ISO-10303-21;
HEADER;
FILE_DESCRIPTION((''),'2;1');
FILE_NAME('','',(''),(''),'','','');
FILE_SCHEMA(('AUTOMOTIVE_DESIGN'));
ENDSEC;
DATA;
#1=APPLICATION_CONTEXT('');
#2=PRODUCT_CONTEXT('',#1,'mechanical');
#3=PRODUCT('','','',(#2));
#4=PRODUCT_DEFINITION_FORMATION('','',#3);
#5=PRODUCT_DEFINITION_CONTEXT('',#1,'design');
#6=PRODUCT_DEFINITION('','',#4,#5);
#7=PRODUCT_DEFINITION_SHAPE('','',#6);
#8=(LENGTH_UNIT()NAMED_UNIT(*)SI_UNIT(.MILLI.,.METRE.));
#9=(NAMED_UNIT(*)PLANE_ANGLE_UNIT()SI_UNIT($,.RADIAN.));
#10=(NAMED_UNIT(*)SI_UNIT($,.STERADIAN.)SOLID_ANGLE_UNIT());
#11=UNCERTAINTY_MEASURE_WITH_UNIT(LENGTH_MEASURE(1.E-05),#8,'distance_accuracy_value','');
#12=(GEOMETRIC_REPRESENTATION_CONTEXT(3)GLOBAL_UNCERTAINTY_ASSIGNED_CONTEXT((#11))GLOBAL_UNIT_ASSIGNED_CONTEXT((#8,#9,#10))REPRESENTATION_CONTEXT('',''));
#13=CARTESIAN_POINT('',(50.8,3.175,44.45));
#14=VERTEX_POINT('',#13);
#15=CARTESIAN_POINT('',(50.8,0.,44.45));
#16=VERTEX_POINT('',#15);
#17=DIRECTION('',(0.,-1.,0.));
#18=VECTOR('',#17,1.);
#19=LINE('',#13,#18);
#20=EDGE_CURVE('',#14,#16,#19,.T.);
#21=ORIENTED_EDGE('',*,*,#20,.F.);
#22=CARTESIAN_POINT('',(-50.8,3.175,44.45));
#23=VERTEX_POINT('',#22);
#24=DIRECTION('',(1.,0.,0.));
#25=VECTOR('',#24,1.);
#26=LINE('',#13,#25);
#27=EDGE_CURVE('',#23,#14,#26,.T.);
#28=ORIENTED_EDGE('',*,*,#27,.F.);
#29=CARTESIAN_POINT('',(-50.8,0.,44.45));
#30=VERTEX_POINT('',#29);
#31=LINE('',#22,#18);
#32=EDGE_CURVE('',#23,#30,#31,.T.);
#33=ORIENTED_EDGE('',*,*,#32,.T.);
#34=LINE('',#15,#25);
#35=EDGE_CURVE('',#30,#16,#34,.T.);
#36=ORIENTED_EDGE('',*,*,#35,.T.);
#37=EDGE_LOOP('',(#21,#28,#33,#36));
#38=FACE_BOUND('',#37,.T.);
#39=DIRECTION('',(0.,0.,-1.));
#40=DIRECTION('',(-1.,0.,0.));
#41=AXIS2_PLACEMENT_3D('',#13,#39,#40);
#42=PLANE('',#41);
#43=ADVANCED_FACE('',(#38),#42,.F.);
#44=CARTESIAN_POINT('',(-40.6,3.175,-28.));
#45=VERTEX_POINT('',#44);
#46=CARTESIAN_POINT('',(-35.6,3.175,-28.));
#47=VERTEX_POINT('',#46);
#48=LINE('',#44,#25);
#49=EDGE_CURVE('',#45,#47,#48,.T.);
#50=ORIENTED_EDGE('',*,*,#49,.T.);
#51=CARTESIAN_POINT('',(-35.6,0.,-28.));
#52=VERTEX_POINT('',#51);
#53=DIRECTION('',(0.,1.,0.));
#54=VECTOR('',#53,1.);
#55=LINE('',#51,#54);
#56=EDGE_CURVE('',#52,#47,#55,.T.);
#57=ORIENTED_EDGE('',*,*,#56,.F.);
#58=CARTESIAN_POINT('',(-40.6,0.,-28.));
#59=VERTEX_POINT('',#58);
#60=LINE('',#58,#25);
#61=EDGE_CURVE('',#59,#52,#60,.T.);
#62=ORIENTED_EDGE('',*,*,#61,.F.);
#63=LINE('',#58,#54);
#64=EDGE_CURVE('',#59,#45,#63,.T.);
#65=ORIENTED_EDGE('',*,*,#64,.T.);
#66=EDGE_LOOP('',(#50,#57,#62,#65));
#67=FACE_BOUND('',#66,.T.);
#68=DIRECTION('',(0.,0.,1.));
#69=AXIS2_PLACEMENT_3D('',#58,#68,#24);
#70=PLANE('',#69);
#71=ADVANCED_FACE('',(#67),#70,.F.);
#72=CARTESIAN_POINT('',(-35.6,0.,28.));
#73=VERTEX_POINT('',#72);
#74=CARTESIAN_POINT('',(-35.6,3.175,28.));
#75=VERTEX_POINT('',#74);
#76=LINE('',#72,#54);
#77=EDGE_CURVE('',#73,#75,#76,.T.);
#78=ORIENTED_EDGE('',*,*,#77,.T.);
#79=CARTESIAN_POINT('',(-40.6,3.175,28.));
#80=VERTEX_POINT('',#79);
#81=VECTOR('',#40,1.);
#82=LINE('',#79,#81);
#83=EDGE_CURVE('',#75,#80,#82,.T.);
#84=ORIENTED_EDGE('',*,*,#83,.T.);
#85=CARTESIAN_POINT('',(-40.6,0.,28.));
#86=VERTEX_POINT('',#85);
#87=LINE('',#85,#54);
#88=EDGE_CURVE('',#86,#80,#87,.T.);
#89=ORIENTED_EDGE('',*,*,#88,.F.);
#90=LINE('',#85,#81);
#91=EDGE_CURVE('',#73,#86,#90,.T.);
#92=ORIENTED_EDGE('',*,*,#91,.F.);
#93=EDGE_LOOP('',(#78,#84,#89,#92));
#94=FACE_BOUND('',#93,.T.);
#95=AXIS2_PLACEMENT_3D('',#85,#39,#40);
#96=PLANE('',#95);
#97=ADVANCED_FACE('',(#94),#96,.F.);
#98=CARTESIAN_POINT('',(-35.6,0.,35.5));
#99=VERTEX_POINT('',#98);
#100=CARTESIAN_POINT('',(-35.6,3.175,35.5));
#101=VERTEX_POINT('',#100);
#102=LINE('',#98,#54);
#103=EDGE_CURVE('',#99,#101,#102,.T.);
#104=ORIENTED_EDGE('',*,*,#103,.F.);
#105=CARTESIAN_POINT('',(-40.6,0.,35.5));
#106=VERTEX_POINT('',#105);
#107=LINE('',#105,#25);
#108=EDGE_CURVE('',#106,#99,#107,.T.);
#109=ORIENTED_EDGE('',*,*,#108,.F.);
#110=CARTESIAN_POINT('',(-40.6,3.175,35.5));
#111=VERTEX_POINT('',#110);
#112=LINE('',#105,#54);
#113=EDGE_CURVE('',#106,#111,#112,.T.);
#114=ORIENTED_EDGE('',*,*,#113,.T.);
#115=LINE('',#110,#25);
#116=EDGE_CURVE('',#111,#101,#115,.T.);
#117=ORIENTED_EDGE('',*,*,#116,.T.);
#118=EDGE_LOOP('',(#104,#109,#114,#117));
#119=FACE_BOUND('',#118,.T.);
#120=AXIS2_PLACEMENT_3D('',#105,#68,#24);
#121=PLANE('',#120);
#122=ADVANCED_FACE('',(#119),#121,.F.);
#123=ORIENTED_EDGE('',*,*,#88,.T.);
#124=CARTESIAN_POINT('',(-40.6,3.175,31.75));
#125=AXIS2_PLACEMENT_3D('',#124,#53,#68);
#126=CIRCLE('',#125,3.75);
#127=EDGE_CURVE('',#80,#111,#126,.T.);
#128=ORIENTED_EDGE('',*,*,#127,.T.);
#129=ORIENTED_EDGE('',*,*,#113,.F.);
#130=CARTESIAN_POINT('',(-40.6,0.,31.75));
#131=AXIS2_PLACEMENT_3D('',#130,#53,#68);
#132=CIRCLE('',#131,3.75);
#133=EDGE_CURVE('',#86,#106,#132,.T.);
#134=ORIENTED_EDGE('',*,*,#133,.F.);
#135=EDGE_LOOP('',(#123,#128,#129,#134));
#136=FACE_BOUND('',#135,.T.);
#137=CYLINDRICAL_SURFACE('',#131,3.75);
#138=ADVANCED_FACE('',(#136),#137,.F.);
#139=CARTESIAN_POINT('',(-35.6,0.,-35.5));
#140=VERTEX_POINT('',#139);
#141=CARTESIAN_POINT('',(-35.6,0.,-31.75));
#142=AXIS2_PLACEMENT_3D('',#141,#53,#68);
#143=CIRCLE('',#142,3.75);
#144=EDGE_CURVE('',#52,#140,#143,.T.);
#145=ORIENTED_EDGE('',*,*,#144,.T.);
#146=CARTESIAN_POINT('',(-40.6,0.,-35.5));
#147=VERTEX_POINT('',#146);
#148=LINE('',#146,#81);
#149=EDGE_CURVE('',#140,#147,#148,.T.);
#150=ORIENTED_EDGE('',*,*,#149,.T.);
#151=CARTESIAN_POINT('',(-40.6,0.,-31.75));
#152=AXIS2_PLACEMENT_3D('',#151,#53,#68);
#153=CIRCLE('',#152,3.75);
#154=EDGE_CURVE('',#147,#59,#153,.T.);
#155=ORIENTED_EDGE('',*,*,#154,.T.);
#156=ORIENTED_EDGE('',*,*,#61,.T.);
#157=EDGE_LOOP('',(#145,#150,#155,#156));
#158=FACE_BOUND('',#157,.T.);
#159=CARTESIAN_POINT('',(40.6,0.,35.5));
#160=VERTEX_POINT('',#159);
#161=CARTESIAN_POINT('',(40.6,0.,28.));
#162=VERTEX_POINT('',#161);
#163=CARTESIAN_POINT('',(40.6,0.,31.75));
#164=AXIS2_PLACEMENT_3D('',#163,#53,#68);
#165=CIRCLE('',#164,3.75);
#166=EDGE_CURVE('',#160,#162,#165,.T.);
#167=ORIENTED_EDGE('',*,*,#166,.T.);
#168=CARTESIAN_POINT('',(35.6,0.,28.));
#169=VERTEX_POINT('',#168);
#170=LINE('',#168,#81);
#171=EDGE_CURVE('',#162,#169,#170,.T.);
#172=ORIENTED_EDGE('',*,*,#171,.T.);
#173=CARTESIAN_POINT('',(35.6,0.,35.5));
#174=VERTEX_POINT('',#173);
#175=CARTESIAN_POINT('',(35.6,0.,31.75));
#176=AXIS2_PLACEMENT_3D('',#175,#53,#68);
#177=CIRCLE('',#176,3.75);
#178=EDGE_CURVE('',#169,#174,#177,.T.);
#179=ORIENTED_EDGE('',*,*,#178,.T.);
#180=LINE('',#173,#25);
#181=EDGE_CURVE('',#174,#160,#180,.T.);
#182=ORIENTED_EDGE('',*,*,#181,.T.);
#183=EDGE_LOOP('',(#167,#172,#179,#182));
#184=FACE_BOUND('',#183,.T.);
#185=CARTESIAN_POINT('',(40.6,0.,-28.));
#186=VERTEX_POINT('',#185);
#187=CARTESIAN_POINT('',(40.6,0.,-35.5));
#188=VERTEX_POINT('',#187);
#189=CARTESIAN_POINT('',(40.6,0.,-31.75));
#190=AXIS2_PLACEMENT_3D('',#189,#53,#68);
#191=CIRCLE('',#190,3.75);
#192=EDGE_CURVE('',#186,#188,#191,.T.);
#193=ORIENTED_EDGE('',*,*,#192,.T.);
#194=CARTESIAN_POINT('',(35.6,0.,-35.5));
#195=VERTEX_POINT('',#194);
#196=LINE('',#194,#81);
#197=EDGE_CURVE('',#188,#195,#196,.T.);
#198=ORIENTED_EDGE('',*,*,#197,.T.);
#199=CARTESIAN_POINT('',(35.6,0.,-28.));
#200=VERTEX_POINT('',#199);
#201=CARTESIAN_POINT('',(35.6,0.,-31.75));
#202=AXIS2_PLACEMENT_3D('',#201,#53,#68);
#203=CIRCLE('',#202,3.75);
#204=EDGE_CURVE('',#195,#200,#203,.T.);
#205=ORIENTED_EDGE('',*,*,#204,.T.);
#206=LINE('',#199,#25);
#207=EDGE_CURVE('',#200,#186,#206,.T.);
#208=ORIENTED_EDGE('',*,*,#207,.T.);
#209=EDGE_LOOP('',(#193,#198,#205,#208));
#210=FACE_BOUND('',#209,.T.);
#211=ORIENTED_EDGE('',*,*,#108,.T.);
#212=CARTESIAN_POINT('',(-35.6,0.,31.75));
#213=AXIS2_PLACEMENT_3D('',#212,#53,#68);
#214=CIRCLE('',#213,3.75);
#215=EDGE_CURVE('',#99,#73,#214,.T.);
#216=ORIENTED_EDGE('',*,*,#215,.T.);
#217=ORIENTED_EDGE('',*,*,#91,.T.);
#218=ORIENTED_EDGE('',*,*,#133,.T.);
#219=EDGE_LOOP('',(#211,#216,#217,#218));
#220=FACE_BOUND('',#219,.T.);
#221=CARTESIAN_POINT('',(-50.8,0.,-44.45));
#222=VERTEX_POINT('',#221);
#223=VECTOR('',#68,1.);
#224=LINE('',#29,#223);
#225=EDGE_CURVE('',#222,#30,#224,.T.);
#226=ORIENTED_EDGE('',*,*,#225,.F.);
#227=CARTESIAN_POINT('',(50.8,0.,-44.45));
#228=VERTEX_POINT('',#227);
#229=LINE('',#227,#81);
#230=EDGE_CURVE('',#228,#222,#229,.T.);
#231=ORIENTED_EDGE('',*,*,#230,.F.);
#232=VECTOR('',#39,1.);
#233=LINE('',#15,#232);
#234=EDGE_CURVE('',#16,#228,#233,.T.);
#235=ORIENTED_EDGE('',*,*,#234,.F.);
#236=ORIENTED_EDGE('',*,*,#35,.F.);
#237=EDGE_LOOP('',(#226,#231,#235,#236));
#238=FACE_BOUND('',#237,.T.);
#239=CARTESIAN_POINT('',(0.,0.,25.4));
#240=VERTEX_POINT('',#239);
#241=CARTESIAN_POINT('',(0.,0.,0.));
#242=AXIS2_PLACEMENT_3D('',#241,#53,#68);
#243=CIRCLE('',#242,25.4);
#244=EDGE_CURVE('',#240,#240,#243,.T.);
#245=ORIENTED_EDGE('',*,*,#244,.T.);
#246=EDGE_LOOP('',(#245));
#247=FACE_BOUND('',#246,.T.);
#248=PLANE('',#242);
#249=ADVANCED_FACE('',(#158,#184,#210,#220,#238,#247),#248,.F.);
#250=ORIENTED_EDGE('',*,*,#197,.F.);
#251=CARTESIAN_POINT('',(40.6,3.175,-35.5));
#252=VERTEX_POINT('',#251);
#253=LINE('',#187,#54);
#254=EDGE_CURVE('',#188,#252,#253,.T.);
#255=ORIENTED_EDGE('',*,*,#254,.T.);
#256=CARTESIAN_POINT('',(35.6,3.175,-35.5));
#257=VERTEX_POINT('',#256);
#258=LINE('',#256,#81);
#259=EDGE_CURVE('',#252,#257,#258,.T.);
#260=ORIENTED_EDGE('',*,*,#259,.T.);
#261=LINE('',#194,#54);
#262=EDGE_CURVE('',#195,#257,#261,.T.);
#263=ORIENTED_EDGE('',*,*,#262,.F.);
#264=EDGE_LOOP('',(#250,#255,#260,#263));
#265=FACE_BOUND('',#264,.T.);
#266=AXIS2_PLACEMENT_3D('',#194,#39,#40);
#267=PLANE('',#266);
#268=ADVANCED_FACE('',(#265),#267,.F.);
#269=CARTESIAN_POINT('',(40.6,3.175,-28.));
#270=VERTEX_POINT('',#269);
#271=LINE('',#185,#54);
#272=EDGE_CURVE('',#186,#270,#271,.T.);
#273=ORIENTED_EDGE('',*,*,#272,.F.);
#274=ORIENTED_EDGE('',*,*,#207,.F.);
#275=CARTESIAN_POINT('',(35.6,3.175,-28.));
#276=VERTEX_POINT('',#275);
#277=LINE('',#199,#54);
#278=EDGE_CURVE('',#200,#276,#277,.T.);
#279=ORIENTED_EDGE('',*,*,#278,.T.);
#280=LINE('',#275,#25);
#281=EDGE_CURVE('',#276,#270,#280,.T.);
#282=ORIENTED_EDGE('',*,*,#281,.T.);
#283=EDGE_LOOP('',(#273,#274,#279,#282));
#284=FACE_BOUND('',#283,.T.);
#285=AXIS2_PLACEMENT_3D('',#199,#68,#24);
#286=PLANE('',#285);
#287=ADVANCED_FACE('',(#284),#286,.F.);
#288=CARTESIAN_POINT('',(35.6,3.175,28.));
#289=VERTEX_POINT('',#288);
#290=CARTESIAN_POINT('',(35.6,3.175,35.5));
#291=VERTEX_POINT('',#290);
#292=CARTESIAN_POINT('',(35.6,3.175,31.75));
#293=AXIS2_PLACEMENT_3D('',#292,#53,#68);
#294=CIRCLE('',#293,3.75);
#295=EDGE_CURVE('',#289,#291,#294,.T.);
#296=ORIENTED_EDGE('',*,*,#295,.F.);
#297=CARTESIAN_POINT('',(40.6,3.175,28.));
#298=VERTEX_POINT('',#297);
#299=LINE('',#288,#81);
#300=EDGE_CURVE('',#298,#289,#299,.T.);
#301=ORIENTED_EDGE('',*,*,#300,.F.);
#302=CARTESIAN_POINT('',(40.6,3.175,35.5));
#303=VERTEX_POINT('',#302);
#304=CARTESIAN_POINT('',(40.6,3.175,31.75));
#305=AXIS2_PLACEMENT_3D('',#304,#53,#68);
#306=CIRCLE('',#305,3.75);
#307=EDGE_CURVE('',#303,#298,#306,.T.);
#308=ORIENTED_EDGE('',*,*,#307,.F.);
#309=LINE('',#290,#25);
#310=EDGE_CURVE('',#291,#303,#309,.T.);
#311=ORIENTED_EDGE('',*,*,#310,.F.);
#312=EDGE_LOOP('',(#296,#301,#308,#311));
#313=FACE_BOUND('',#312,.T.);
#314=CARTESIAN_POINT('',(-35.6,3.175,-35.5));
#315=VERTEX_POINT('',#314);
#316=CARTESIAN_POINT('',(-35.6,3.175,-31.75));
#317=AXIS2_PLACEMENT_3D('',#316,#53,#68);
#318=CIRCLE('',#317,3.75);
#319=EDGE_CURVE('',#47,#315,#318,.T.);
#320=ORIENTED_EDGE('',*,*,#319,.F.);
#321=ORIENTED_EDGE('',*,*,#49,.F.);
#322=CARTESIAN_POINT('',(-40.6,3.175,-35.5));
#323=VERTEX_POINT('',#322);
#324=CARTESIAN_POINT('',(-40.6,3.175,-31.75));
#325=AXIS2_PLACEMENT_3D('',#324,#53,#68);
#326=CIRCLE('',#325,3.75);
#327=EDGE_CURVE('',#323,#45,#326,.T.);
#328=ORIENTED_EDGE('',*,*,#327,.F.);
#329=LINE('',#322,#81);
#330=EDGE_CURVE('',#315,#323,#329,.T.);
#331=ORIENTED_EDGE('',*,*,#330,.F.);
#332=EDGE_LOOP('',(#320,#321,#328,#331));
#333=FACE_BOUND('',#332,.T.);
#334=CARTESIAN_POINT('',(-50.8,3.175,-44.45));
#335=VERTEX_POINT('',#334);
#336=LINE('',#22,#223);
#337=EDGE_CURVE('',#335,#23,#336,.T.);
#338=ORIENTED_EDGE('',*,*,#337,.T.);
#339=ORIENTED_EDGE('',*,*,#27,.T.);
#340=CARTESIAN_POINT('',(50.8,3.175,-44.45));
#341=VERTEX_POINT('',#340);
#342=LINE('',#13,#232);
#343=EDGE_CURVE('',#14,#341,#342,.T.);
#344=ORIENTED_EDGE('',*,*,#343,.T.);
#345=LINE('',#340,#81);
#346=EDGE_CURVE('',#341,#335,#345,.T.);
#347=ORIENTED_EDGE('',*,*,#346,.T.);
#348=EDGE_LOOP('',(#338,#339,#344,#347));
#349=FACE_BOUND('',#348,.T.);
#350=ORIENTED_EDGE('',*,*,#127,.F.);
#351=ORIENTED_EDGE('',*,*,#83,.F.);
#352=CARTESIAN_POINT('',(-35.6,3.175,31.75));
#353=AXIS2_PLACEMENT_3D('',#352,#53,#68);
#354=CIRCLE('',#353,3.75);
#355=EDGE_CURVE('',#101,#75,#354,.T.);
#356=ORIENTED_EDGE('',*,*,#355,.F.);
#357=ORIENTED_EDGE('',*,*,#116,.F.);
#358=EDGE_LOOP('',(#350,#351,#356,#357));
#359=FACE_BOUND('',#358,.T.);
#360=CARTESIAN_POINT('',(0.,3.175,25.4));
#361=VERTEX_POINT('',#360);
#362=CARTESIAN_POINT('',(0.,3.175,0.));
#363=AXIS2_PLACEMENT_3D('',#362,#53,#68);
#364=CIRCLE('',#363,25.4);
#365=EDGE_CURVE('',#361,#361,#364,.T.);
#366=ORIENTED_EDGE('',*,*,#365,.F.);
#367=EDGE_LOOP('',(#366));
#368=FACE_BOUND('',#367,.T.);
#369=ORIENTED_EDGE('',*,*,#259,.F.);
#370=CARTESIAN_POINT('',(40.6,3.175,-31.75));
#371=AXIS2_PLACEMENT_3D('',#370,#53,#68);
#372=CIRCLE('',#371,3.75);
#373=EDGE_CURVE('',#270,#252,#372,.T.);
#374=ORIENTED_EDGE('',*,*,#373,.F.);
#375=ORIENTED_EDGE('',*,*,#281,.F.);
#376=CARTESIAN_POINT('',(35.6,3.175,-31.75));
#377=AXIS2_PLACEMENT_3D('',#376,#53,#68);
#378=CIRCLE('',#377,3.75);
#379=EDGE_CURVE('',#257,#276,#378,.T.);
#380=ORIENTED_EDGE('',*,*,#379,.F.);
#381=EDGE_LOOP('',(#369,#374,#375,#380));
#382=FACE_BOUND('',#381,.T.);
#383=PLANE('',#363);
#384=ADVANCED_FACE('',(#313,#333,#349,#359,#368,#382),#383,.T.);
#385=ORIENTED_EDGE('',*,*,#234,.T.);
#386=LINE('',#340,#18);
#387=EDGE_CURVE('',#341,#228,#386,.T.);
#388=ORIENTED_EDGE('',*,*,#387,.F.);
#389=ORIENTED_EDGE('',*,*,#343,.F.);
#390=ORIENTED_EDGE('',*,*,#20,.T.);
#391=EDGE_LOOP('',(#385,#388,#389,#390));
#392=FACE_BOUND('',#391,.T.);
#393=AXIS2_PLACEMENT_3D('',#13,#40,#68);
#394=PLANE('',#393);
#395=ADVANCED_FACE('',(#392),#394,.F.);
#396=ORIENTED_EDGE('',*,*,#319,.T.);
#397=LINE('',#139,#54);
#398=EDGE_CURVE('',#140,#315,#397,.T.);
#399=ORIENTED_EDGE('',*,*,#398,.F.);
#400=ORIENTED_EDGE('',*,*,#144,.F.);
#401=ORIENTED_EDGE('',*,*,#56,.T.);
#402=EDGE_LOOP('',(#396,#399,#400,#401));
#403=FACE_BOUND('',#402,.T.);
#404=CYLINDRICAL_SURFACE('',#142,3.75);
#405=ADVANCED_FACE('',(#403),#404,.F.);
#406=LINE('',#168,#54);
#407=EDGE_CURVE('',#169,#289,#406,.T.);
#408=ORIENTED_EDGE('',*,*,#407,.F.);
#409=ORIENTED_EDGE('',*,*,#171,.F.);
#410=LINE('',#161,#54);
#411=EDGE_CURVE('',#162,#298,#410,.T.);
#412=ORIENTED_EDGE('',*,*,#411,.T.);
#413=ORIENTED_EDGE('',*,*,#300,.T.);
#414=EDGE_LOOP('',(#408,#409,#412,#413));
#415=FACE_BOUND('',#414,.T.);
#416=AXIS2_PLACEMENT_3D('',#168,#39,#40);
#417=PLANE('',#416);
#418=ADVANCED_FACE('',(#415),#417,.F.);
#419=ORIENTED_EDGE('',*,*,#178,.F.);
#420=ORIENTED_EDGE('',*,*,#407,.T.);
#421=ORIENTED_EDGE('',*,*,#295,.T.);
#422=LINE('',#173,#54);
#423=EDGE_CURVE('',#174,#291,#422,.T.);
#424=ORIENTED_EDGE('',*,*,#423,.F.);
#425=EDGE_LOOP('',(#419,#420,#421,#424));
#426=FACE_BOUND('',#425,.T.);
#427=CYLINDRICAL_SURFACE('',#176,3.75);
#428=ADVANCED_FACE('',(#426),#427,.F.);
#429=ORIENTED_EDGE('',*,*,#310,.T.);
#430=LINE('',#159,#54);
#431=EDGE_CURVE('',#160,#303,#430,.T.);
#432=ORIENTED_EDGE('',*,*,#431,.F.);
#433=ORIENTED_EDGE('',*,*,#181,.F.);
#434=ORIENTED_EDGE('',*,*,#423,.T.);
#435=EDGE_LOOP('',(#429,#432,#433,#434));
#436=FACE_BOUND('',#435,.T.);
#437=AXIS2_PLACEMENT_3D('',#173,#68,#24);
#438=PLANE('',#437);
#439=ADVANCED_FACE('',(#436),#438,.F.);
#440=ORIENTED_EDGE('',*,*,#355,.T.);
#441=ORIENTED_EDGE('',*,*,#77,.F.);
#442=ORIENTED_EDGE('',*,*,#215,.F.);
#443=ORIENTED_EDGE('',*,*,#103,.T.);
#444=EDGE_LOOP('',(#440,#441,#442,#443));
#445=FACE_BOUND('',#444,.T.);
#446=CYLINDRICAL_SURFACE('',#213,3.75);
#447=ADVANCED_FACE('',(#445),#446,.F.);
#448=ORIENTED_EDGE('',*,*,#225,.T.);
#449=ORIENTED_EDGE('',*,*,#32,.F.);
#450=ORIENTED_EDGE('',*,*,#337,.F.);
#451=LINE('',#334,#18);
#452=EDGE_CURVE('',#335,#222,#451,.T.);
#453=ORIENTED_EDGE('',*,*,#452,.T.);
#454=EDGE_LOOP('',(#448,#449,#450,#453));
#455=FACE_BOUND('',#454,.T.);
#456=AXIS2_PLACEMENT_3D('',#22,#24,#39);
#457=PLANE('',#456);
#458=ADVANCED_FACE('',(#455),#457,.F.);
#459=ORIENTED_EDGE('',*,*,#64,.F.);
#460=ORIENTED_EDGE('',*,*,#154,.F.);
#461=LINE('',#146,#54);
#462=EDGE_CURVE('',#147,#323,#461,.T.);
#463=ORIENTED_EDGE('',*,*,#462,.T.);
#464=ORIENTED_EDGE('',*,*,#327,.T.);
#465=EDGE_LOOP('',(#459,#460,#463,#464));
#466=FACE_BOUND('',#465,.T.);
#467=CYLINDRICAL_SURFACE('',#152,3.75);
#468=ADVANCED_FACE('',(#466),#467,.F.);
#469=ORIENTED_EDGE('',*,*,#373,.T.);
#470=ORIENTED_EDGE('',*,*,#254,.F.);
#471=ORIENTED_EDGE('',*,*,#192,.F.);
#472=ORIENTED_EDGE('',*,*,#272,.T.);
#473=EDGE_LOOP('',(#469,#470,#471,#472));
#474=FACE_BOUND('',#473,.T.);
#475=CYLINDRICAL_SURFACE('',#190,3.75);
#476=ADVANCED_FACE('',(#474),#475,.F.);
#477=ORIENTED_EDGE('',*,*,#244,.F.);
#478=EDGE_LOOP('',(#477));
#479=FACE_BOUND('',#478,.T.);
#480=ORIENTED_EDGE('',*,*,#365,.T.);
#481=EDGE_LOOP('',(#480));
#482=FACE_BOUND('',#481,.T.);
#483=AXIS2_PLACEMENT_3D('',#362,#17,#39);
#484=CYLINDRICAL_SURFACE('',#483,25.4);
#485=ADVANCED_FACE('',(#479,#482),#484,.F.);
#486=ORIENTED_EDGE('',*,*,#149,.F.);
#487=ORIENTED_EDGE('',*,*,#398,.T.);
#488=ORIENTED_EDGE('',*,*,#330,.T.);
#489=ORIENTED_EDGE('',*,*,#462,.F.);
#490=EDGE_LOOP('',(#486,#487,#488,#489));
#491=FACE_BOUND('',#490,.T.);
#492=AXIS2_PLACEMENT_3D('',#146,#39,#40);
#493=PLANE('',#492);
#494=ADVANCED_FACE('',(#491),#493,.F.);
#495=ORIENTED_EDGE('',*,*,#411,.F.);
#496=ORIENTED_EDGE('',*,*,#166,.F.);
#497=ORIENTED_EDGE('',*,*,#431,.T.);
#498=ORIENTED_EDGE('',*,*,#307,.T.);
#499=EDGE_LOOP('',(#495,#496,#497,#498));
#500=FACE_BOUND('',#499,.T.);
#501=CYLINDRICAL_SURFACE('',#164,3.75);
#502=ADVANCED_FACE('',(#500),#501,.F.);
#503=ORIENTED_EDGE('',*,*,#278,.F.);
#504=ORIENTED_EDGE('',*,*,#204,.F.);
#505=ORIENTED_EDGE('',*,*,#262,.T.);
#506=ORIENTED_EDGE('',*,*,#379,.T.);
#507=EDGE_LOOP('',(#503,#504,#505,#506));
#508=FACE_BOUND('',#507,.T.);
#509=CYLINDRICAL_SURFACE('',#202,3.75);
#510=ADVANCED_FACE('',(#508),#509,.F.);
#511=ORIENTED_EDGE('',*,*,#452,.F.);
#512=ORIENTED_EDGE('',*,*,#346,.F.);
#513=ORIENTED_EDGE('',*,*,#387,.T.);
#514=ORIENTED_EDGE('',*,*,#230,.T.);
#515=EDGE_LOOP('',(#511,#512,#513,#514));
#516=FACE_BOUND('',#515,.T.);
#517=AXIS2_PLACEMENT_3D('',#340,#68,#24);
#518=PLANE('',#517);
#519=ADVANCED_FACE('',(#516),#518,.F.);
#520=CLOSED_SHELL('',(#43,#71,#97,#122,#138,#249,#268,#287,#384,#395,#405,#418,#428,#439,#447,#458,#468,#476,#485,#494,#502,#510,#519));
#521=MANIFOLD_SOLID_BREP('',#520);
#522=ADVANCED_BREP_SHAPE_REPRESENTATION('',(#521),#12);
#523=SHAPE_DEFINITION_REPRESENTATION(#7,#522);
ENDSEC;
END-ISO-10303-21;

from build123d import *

# Parameters (mm, degrees)
SKETCH1_W           = 101.6
SKETCH1_H           = 88.9
SKETCH1_R           = 25.4
BOSS_EXTRUDE1_DEPTH = 3.175
CUT_EXTRUDE1_DEPTH  = 68.576054376


with BuildPart() as part:
    # Sketch1 → Boss-Extrude1 (new body)
    with BuildSketch(Plane(origin=(0, 0, 0), x_dir=(1, 0, 0), z_dir=(0, 1, 0))):
        Rectangle(SKETCH1_W, SKETCH1_H)
        with Locations(Location((0, 0, 0), (0, 0, 270))):
            Circle(SKETCH1_R, mode=Mode.SUBTRACT)
    extrude(amount=BOSS_EXTRUDE1_DEPTH)

    # Sketch2 → Cut-Extrude1 (cut, through all)
    with BuildSketch(Plane(origin=(0, 3.175, 0), x_dir=(1, 0, 0), z_dir=(0, 1, 0))):
        with BuildLine():
            Line((-40.6, 35.5), (-35.6, 35.5))
            ThreePointArc((-35.6, 35.5), (-31.85, 31.75), (-35.6, 28))
            Line((-35.6, 28), (-40.6, 28))
            ThreePointArc((-40.6, 28), (-44.35, 31.75), (-40.6, 35.5))
        make_face()
        with BuildLine():
            Line((-40.6, -28), (-35.6, -28))
            ThreePointArc((-35.6, -28), (-31.85, -31.75), (-35.6, -35.5))
            Line((-35.6, -35.5), (-40.6, -35.5))
            ThreePointArc((-40.6, -35.5), (-44.35, -31.75), (-40.6, -28))
        make_face()
        with BuildLine():
            Line((35.6, 35.5), (40.6, 35.5))
            ThreePointArc((40.6, 35.5), (44.35, 31.75), (40.6, 28))
            Line((40.6, 28), (35.6, 28))
            ThreePointArc((35.6, 28), (31.85, 31.75), (35.6, 35.5))
        make_face()
        with BuildLine():
            Line((35.6, -28), (40.6, -28))
            ThreePointArc((40.6, -28), (44.35, -31.75), (40.6, -35.5))
            Line((40.6, -35.5), (35.6, -35.5))
            ThreePointArc((35.6, -35.5), (31.85, -31.75), (35.6, -28))
        make_face()
    extrude(amount=-CUT_EXTRUDE1_DEPTH, mode=Mode.SUBTRACT)


solid = part.part
